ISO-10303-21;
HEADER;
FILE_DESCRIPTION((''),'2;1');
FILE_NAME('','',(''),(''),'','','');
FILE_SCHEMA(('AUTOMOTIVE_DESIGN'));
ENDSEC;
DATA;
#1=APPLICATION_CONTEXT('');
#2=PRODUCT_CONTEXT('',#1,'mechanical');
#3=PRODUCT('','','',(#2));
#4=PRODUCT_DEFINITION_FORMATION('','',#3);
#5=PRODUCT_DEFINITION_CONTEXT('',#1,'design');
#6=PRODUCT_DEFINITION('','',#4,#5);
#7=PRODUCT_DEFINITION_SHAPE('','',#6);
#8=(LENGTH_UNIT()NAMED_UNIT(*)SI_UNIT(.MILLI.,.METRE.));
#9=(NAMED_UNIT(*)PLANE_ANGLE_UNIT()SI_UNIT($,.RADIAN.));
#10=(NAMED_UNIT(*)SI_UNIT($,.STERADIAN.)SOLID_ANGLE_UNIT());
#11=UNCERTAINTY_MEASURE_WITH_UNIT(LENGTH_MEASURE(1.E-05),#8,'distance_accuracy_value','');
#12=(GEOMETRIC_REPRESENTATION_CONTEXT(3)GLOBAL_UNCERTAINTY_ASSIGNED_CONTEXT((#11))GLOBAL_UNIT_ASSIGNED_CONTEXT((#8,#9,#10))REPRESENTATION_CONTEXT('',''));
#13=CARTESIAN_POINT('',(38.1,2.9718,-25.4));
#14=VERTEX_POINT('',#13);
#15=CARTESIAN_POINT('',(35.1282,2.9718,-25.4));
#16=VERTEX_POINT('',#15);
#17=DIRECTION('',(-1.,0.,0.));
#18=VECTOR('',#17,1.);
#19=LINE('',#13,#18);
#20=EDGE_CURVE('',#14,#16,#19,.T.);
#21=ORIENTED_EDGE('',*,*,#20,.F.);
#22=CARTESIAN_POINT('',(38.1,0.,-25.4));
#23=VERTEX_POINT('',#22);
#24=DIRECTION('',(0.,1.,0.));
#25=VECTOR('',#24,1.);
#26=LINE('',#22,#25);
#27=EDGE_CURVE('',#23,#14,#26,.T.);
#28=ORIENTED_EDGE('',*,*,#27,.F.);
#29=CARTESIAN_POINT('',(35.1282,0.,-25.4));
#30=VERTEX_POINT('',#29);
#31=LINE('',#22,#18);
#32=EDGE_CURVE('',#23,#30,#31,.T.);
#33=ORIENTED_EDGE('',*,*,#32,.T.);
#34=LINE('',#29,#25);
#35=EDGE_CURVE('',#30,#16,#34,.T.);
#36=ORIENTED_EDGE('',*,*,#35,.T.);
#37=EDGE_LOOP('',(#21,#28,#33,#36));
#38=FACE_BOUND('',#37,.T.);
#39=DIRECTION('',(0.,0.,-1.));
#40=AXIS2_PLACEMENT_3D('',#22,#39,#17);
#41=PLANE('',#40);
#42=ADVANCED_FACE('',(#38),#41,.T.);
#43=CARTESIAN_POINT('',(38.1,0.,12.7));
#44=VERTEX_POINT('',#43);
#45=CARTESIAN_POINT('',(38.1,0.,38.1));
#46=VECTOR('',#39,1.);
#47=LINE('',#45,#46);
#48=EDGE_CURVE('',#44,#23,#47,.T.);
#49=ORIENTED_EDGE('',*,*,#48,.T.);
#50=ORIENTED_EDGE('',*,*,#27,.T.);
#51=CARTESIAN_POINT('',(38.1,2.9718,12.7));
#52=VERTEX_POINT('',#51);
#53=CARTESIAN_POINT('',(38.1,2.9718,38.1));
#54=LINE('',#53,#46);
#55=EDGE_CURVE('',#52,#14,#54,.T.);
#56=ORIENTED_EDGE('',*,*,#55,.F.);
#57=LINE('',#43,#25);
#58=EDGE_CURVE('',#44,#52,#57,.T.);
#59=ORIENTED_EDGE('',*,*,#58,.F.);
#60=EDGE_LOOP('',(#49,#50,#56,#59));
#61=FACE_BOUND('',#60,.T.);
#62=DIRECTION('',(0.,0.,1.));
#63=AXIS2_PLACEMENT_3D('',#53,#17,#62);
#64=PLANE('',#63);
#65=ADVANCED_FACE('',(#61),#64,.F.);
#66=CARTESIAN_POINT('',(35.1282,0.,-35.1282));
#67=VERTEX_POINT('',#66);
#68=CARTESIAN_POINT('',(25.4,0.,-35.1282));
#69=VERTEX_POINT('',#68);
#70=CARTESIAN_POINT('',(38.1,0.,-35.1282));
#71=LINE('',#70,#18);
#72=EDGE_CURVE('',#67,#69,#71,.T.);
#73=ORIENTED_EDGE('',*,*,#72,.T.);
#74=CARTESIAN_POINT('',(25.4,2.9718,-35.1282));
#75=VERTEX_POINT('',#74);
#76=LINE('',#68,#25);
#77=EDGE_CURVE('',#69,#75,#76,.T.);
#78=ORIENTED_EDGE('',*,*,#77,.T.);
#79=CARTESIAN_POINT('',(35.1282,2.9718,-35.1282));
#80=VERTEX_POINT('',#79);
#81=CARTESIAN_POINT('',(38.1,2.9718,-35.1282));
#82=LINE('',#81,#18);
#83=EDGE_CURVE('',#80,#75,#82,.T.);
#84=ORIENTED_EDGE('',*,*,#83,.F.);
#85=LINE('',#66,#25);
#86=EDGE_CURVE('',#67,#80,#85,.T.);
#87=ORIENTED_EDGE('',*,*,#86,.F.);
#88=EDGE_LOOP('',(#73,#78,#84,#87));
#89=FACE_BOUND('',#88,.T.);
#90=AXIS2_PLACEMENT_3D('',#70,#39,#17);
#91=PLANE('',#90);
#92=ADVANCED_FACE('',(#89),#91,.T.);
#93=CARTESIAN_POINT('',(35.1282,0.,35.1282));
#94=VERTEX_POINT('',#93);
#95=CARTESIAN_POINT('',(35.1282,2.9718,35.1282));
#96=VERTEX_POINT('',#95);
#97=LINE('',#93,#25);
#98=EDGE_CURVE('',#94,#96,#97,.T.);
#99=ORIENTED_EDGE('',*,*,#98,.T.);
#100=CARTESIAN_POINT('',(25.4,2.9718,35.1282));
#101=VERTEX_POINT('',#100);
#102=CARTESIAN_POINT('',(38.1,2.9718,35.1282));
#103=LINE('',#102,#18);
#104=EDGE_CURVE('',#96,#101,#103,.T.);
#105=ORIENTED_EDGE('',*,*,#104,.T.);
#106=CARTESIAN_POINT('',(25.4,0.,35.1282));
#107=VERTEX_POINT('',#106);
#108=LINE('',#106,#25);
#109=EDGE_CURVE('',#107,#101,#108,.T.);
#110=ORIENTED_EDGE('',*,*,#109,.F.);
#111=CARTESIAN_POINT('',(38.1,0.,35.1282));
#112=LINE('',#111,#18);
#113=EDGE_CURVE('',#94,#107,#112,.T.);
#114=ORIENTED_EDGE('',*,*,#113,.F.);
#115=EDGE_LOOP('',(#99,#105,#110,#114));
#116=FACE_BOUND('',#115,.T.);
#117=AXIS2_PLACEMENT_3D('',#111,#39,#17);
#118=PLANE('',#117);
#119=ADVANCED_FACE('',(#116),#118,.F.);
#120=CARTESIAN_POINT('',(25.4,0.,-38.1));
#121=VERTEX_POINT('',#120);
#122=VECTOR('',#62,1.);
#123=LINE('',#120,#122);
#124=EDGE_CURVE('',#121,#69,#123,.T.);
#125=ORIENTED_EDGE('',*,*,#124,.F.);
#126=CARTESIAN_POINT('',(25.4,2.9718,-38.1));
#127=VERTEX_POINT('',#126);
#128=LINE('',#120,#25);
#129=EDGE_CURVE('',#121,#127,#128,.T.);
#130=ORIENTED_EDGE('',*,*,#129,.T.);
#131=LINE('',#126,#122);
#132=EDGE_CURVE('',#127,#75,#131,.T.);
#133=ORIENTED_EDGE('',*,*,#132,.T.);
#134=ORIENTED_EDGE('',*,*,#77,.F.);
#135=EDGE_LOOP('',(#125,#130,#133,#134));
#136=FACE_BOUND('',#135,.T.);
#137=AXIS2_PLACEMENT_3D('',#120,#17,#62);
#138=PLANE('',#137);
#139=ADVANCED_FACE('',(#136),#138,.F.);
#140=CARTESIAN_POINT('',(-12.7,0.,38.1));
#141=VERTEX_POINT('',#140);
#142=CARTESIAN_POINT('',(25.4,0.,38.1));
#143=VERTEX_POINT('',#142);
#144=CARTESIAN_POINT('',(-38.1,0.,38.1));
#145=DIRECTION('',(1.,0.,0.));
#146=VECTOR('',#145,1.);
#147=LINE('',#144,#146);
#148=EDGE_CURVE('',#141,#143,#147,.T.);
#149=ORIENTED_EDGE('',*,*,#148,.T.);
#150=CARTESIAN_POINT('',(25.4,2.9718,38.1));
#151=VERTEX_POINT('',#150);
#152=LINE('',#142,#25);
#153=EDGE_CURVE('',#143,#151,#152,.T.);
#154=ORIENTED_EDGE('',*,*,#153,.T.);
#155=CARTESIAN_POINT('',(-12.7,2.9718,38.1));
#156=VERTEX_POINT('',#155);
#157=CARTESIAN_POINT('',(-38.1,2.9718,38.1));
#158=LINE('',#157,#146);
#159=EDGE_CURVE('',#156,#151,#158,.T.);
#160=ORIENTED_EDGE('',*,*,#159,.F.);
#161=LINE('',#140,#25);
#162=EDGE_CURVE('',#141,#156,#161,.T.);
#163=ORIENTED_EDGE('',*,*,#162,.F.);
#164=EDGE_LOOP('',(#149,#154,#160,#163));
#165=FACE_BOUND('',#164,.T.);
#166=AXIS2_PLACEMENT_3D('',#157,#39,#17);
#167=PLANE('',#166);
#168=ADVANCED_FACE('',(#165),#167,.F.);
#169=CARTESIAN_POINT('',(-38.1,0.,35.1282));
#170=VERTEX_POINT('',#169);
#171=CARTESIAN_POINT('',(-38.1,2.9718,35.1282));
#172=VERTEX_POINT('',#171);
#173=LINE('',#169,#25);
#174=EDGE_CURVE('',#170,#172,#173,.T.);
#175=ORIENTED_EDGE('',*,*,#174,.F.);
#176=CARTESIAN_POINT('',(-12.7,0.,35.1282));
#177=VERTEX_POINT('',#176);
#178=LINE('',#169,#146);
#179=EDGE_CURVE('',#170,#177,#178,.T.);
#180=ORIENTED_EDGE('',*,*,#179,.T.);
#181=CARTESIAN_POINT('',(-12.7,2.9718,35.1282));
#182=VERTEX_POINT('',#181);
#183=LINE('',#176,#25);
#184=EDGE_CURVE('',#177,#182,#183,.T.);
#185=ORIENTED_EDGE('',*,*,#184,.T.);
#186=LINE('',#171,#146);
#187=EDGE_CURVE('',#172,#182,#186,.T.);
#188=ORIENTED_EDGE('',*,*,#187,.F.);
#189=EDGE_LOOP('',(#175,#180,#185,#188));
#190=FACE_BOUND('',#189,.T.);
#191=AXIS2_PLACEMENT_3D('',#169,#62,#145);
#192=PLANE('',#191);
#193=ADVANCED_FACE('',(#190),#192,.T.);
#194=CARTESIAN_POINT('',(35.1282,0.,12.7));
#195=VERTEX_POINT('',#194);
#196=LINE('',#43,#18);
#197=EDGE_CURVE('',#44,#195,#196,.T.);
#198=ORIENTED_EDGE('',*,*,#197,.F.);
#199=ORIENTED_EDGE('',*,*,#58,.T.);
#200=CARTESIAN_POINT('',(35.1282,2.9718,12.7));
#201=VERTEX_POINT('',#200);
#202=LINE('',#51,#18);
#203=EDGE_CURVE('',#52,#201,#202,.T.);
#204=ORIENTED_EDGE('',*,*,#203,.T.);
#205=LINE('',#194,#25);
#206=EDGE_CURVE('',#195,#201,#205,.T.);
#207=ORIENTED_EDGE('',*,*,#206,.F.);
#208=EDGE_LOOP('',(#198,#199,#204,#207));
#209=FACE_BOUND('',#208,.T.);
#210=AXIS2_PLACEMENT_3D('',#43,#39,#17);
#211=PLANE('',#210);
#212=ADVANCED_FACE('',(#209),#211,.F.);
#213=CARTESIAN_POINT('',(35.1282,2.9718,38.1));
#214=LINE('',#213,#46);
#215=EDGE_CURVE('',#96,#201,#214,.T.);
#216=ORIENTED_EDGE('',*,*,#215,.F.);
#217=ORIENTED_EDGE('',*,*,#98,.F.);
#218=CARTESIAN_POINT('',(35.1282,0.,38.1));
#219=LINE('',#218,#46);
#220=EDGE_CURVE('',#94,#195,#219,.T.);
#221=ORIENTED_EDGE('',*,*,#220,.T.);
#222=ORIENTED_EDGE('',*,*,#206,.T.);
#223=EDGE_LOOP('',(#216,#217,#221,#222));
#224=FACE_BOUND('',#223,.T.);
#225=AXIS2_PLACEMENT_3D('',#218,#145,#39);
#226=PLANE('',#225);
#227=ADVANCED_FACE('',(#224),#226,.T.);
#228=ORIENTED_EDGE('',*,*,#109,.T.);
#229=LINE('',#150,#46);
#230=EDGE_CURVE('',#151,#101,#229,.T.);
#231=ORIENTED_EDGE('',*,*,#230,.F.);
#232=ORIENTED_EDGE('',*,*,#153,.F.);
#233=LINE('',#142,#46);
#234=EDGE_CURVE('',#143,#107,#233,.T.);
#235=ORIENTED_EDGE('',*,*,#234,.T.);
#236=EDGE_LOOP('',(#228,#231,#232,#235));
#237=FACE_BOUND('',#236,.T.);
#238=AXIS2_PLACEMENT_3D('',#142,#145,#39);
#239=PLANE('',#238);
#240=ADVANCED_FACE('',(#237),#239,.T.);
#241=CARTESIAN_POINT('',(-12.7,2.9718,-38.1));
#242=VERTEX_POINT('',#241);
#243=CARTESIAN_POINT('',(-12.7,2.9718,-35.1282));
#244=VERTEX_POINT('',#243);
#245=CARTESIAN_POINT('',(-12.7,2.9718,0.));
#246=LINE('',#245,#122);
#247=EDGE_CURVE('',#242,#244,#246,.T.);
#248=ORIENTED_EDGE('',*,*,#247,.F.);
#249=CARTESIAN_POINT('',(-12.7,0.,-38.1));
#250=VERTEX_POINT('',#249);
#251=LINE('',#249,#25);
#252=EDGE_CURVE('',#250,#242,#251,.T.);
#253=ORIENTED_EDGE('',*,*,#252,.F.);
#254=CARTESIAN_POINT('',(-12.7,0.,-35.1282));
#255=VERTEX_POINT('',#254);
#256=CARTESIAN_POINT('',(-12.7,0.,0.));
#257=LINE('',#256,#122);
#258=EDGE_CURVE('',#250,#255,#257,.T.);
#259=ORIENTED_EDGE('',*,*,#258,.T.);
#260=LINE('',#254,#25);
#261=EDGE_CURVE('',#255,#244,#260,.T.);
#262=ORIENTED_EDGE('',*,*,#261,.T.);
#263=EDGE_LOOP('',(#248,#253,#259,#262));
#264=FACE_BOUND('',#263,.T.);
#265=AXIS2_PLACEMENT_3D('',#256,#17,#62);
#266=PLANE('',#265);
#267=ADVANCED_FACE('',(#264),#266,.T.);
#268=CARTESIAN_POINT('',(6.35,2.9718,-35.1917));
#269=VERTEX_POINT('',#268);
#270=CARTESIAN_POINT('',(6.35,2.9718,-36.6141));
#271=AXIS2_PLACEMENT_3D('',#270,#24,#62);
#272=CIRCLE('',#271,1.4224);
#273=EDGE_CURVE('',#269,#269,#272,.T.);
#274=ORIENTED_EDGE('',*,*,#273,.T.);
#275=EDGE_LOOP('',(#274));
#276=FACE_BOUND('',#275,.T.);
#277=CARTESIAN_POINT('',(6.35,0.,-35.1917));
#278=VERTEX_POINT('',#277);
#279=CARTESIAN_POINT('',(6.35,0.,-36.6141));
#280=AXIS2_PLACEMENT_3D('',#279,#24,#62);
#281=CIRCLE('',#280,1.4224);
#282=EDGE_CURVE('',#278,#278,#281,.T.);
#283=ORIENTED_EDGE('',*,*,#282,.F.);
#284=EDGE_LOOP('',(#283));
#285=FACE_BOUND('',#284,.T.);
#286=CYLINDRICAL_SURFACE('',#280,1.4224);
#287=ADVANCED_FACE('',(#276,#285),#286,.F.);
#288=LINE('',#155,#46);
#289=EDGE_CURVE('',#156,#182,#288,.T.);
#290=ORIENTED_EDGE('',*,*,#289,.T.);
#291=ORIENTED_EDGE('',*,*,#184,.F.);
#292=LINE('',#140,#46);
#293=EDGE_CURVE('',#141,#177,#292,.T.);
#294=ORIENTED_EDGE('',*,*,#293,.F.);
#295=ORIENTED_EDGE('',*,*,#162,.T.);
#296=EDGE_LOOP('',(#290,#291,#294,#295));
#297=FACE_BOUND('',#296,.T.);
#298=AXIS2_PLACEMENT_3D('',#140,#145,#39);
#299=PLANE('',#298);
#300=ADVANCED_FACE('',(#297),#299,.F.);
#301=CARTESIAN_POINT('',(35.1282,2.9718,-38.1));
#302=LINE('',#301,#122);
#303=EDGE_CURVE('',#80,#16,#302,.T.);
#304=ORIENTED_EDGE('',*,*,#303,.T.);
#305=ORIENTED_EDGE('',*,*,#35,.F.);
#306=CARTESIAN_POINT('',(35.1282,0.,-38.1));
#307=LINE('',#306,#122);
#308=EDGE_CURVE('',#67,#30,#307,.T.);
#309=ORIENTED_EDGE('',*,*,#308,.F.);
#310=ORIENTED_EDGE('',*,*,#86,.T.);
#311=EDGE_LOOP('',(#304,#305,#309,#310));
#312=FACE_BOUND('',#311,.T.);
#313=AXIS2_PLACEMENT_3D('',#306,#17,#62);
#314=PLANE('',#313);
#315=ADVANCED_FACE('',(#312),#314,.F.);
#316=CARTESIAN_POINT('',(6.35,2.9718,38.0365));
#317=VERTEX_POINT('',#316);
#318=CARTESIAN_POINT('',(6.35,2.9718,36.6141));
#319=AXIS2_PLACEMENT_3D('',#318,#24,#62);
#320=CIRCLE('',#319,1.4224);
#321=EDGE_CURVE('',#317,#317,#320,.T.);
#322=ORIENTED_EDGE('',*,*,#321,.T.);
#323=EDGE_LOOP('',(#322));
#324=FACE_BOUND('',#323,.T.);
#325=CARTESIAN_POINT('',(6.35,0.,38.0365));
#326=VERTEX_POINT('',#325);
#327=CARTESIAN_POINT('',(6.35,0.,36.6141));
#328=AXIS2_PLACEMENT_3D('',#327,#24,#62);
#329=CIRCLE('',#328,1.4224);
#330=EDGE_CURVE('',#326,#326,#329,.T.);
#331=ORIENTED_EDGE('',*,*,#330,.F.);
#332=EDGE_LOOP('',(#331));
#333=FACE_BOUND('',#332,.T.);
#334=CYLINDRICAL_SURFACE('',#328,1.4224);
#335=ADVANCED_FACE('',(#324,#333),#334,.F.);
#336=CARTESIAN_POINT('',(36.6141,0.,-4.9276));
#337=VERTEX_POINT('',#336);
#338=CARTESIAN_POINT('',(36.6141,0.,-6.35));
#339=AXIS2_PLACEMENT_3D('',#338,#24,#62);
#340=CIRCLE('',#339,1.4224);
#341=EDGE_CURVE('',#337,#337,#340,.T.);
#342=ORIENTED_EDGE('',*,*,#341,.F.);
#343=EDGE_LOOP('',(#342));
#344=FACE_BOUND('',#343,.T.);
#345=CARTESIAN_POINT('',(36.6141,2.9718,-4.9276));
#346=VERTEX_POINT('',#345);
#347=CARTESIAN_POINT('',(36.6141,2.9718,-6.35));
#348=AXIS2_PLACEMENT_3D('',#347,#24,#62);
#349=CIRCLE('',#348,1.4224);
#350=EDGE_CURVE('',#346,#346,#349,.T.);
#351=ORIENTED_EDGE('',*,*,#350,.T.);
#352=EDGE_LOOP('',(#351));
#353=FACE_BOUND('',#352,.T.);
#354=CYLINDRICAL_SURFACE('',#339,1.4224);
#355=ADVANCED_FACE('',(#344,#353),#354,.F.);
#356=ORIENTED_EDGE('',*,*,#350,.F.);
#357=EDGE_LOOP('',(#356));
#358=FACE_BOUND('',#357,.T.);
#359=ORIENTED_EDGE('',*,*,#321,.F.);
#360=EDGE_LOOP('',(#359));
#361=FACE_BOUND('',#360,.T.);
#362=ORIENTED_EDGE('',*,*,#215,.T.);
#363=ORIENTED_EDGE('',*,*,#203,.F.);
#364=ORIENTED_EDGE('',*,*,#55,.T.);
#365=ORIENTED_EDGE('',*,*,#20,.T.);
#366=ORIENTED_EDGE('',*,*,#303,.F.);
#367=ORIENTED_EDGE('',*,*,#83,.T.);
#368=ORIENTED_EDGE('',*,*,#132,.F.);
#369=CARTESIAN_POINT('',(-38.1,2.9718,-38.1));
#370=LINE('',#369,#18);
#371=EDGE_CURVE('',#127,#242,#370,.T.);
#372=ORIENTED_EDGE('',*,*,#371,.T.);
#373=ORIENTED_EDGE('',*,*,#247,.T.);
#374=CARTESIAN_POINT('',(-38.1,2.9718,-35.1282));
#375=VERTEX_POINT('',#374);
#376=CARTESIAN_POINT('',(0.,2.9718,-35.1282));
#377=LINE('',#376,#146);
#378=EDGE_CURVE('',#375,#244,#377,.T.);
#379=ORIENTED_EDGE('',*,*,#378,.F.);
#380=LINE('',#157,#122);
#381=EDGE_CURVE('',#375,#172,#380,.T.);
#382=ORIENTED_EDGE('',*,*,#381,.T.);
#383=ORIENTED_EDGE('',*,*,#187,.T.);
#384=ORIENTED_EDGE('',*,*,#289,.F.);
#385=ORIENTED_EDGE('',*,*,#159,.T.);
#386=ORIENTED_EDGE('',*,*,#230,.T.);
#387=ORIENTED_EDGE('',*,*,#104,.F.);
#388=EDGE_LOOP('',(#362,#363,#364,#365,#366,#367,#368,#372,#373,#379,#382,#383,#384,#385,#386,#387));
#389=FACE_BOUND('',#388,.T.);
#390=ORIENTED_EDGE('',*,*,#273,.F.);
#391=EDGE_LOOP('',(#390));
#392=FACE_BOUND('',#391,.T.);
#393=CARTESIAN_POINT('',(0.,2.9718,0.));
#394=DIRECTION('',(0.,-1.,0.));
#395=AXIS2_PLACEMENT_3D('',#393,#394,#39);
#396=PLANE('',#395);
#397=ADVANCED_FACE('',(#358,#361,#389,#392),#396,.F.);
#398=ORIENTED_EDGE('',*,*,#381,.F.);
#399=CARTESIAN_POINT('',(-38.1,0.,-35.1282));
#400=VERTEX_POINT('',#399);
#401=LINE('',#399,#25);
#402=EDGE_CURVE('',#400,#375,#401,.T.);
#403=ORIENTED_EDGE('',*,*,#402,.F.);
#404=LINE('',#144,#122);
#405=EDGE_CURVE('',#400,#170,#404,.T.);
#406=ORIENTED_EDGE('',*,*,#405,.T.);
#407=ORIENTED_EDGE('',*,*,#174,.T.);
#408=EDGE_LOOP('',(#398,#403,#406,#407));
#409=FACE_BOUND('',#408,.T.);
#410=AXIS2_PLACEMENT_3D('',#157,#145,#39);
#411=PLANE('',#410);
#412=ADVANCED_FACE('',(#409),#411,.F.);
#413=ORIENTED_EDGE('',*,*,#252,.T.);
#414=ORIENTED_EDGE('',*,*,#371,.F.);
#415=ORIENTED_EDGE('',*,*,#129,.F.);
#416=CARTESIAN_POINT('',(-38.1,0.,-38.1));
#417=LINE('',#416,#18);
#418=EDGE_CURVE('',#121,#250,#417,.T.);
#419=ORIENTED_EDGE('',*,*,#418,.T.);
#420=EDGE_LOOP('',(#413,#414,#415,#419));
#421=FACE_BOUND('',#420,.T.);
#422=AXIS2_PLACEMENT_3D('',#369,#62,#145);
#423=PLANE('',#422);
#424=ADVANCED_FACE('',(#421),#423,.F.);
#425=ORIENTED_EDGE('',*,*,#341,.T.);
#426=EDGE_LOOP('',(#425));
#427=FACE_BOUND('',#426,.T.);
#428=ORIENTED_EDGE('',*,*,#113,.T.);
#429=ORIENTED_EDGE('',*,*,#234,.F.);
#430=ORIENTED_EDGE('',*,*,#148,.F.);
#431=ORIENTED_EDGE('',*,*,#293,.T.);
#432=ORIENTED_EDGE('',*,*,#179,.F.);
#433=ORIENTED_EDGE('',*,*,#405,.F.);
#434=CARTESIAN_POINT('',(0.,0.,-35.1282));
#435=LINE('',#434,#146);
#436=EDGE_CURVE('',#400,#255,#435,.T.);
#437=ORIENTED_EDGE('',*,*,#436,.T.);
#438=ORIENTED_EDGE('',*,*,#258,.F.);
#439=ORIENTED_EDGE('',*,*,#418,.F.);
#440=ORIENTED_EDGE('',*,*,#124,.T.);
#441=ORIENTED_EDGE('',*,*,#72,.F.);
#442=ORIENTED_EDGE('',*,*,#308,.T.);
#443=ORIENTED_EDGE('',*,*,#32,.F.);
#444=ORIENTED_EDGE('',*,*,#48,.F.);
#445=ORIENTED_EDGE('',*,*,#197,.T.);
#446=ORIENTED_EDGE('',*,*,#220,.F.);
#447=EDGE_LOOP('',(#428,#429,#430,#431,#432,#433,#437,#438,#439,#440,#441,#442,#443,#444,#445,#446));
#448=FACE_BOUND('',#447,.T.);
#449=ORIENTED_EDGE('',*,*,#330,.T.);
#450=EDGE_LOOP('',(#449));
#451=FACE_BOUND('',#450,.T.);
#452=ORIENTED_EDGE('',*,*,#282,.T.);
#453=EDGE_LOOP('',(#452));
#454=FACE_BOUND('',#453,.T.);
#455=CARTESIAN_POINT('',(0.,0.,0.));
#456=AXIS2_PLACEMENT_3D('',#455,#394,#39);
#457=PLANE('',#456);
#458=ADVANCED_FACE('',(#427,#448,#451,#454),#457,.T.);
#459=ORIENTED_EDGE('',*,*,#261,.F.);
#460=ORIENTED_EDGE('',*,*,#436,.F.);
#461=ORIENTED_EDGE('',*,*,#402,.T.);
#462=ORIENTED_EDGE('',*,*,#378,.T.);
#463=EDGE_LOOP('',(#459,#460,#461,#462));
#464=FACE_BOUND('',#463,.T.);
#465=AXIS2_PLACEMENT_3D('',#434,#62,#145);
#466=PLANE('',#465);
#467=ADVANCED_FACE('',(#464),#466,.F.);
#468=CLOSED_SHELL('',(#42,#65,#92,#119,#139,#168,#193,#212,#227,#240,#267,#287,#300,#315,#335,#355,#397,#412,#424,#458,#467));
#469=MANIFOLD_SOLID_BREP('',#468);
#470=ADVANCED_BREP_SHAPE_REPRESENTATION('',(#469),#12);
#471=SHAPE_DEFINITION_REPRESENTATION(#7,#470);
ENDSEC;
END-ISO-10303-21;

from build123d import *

# Parameters (mm, degrees)
SKETCH1_W           = 76.2
SKETCH1_H           = 76.2
BOSS_EXTRUDE1_DEPTH = 2.9718
SKETCH2_W           = 25.4
SKETCH2_H           = 2.9718
SKETCH2_W_2         = 12.7
SKETCH2_W_3         = 2.9718
SKETCH2_H_2         = 12.7
SKETCH2_H_3         = 25.4
SKETCH2_R           = 1.4224
CUT_EXTRUDE1_DEPTH  = 54.963428313


with BuildPart() as part:
    # Sketch1 → Boss-Extrude1 (new body)
    with BuildSketch(Plane(origin=(0, 0, 0), x_dir=(1, 0, 0), z_dir=(0, 1, 0))):
        Rectangle(SKETCH1_W, SKETCH1_H)
    extrude(amount=BOSS_EXTRUDE1_DEPTH)

    # Sketch2 → Cut-Extrude1 (cut, through all)
    with BuildSketch(Plane(origin=(0, 2.9718, 0), x_dir=(1, 0, 0), z_dir=(0, 1, 0))):
        with Locations((-25.4, 36.6141)):
            Rectangle(SKETCH2_W, SKETCH2_H)
        with Locations((31.75, 36.6141)):
            Rectangle(SKETCH2_W_2, SKETCH2_H)
        with Locations((36.6141, 31.75)):
            Rectangle(SKETCH2_W_3, SKETCH2_H_2)
        with Locations((36.6141, -25.4)):
            Rectangle(SKETCH2_W_3, SKETCH2_H_3)
        with Locations(Location((36.6141, 6.35, 0), (0, 0, 270))):
            Circle(SKETCH2_R)
        with Locations(Location((6.35, 36.6141, 0), (0, 0, 270))):
            Circle(SKETCH2_R)
        with Locations((31.75, -36.6141)):
            Rectangle(SKETCH2_W_2, SKETCH2_H)
        with Locations(Location((6.35, -36.6141, 0), (0, 0, 270))):
            Circle(SKETCH2_R)
        with Locations((-25.4, -36.6141)):
            Rectangle(SKETCH2_W, SKETCH2_H)
    extrude(amount=-CUT_EXTRUDE1_DEPTH, mode=Mode.SUBTRACT)


solid = part.part
